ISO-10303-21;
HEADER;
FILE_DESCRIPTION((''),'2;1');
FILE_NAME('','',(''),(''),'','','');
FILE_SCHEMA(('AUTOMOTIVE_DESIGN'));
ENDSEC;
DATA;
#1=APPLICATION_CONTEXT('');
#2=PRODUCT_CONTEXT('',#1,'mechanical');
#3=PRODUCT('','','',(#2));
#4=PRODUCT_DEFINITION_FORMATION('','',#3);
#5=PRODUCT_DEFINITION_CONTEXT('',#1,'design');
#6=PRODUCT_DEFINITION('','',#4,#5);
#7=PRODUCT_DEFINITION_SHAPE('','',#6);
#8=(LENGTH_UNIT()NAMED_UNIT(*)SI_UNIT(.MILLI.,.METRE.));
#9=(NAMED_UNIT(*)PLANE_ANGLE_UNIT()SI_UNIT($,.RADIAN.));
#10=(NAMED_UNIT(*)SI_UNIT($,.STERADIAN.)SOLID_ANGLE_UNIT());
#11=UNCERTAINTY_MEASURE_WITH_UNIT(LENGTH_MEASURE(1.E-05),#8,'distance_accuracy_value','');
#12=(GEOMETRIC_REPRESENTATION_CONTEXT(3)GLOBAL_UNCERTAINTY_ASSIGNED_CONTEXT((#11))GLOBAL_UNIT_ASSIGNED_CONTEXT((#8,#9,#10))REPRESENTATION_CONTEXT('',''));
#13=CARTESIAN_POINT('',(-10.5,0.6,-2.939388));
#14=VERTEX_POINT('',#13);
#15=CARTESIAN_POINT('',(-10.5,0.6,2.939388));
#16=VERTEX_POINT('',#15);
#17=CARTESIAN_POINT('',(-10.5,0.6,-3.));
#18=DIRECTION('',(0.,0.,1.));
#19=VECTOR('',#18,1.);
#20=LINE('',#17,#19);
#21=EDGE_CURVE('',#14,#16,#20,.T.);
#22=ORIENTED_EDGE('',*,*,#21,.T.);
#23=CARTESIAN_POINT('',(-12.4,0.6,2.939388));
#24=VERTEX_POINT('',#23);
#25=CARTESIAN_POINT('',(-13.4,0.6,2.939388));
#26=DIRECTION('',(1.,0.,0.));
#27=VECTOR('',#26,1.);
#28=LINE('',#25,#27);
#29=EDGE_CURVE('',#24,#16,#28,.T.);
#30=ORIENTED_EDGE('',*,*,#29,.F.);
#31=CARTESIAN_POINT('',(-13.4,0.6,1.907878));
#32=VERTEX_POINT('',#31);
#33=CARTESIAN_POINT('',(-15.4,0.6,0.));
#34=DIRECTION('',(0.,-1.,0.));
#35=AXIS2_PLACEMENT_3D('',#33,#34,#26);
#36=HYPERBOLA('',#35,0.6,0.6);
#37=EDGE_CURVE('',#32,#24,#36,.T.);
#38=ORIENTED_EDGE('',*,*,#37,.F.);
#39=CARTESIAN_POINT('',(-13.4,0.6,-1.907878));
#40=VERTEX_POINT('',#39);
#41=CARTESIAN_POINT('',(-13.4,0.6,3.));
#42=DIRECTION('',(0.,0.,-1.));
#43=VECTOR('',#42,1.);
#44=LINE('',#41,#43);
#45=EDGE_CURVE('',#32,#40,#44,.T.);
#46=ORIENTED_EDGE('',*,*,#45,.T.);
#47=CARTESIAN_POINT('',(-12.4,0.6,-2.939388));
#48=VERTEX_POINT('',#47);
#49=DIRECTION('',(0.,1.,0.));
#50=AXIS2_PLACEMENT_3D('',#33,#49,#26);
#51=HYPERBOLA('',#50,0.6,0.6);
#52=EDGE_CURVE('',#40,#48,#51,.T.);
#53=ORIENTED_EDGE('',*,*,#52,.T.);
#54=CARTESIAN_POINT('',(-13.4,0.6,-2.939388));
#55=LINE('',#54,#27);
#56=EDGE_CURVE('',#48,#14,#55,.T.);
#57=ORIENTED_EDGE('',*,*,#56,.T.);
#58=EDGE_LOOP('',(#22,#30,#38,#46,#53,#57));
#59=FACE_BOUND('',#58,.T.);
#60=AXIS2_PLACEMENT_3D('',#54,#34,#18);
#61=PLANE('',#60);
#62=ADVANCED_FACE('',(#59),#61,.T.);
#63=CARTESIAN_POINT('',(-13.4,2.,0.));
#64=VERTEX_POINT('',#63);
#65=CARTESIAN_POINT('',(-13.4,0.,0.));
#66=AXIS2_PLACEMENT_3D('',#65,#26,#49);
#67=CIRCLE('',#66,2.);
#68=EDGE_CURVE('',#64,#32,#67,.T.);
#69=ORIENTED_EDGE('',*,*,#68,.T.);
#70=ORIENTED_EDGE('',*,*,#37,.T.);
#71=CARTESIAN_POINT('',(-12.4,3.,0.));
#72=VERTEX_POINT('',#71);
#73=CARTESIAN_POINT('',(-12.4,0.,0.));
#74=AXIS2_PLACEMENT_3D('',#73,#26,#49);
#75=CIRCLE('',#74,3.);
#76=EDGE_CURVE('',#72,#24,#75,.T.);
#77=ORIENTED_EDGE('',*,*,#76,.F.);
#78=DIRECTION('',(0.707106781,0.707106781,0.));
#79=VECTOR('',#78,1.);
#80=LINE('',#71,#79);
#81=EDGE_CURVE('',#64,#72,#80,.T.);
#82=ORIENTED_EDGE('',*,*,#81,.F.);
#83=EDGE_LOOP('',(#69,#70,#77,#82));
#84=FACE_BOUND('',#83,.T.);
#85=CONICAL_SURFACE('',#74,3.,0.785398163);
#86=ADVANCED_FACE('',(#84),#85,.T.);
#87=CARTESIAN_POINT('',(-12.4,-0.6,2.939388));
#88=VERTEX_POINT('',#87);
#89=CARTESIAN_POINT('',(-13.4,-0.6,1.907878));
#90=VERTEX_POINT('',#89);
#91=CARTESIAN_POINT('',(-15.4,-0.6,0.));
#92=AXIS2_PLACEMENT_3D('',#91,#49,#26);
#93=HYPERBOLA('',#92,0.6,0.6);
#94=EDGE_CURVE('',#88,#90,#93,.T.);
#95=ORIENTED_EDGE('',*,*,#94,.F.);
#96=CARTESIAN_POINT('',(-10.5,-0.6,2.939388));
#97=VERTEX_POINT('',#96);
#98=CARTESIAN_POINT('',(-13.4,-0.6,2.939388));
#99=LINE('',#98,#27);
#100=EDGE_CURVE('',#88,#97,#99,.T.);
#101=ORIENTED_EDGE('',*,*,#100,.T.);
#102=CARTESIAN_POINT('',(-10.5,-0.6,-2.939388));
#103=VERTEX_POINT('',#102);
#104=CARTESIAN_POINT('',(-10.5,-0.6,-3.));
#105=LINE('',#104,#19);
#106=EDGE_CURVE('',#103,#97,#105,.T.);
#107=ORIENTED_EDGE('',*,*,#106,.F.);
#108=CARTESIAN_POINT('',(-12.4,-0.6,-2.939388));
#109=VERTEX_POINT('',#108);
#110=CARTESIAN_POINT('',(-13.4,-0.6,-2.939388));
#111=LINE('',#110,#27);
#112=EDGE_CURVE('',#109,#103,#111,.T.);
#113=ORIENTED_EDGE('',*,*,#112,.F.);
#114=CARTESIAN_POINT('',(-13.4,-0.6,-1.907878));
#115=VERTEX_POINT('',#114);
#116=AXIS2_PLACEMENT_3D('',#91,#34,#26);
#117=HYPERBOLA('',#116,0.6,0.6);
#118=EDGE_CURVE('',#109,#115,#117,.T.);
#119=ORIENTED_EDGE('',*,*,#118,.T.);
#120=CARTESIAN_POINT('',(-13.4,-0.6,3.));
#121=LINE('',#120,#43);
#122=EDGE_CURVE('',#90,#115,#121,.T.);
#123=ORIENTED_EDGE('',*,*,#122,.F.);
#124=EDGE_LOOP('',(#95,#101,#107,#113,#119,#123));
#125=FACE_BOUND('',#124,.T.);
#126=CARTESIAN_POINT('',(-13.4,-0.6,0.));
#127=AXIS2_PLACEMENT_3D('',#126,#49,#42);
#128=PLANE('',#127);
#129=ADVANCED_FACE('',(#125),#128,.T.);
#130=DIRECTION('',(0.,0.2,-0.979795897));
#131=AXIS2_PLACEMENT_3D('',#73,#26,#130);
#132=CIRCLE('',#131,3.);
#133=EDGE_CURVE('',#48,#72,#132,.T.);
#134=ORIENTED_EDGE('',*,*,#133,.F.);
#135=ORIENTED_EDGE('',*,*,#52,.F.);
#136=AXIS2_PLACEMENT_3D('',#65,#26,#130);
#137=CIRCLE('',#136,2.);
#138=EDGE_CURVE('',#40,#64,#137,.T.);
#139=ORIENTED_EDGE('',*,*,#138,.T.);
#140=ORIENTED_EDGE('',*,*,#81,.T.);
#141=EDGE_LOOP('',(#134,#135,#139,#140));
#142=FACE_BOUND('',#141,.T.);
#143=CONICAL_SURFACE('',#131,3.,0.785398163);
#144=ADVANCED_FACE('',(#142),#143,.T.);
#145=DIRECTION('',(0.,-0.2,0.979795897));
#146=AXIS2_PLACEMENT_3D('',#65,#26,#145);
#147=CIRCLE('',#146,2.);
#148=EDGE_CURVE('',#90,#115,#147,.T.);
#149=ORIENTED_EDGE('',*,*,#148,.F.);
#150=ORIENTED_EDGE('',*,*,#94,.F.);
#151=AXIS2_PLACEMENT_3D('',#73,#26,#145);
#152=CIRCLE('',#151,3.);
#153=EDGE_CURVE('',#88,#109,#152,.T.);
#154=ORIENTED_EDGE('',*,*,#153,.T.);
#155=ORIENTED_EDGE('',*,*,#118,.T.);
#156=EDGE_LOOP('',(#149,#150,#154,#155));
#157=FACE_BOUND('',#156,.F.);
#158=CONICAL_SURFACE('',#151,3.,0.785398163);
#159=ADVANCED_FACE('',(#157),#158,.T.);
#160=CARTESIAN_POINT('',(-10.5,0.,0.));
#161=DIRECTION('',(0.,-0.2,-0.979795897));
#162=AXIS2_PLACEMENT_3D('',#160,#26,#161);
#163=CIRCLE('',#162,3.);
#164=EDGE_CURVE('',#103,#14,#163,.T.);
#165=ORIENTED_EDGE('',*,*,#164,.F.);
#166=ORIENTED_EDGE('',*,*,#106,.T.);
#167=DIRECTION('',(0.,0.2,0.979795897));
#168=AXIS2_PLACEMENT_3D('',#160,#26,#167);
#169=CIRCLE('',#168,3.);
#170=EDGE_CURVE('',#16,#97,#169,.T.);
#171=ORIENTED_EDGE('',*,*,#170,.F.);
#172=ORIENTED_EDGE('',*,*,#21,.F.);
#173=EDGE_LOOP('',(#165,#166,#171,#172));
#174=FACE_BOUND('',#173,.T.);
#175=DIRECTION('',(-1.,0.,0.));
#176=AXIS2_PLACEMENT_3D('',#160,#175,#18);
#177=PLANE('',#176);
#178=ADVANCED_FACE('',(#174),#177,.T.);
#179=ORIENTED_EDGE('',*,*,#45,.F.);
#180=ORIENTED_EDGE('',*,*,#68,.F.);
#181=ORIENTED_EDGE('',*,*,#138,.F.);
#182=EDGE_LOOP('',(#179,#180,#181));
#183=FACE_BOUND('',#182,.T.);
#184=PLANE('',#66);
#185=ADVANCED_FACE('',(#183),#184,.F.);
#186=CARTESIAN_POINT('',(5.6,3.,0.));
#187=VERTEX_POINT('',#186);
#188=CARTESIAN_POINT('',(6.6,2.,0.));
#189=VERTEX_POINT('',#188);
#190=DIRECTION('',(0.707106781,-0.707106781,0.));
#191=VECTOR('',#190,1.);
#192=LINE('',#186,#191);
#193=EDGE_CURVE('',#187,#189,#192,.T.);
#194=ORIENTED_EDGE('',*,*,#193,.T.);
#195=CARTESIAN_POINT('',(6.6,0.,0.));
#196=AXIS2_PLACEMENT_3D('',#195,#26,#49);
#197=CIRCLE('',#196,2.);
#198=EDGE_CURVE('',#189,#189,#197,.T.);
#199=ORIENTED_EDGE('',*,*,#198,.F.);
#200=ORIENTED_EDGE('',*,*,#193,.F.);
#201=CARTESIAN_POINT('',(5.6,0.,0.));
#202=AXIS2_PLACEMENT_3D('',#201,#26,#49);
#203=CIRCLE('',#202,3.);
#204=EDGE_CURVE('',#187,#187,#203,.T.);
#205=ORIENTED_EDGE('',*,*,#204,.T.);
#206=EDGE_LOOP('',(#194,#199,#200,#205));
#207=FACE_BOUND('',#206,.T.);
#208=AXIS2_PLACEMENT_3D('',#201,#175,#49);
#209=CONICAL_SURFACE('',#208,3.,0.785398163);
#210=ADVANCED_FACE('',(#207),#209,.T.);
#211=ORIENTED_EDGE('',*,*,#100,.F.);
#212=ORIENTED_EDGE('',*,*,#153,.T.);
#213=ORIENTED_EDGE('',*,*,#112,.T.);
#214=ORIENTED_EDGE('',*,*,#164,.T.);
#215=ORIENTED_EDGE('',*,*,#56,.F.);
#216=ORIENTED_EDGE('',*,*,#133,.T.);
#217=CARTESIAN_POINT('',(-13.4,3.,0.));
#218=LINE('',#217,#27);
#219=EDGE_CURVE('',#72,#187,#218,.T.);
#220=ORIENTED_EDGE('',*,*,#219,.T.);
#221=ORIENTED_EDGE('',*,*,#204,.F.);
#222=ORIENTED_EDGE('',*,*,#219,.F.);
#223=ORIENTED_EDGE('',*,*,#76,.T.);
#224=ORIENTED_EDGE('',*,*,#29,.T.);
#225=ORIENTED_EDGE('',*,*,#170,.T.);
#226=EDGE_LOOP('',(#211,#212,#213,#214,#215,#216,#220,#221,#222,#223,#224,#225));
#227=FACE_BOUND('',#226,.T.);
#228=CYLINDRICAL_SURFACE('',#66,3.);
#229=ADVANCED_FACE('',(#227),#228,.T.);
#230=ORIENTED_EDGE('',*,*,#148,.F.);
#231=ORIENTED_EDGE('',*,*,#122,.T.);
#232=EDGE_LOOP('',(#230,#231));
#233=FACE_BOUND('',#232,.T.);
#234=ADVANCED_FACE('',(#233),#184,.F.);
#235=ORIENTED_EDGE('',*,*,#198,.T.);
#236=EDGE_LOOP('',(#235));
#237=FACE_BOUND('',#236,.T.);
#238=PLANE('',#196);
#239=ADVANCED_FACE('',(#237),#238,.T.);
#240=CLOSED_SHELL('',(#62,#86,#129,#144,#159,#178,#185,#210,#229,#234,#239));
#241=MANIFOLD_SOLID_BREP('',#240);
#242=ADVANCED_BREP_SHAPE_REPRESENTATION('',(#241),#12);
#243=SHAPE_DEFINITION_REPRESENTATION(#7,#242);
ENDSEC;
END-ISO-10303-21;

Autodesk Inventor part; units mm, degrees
ref_plane "YZ Plane" through (0, 0, 0) normal (1, 0, 0) x (0, 1, 0)
ref_plane "XZ Plane" through (0, 0, 0) normal (0, 1, 0) x (-1, 0, 0)
sketch "Sketch1" plane through (0, 0, 0) normal (0, 0, 1) x (1, 0, 0)
  line L0 (0, 6.25) -> (0, -4.9479) construction
  line L1 (-13.4, 0) -> (-13.4, 3)
  line L2 (-13.4, 3) -> (6.6, 3)
  line L3 (6.6, 3) -> (6.6, 0)
  line L4 (-13.4, 0) -> (6.6, 0)
  line L5 (-17.4, 0) -> (10.6, 0) projected
  line L6 (0, 8.4896) -> (0, -7.1875) projected
  dimension "d0" = 6
  dimension "d1" = 6.6
  dimension "d2" = 20
revolve "Body" add sketch "Sketch1" angle 360 about axis through (-13.4, 0, 0) along (1, 0, 0)
sketch "Sketch2" plane through (-13.4, 0, 0) normal (-1, 0, 0) x (0, 0, 1)
  line L0 (0, -4.2) -> (0, 4.2) projected
  line L1 (-4.2, 0) -> (4.2, 0) projected
  line L2 (-3, 0.6) -> (3, 0.6)
  line L3 (3, 0.6) -> (3, -0.6)
  line L4 (3, -0.6) -> (-3, -0.6)
  line L5 (-3, -0.6) -> (-3, 0.6)
  line L6 (-3, 0) -> (3, 0) construction
  line L7 (0, 0.6) -> (0, -0.6) construction
  circle A0 centre (0, 0) radius 3 projected
  dimension "d10" = 1.2
extrude "Slot" cut sketch "Sketch2" against normal blind 2.9 contours L4 A0 L1 L0 | L0 L1 A0 L4 | L4 L5 A0 | A0 L3 L4 | L1 A0 L2 L0 | L0 L2 A0 L1 | L5 L2 A0 | A0 L2 L3
chamfer "Chamfer1" distance 1 angle 45 3 edges at (-13.4, 2.3238, 1.8974) (-13.4, 2.3238, -1.8974) (-13.4, -3, 0) measured on face at (-6.7333, -3, 0)
thread "Thread" size "M6x1" designation "M6" class "6g" standard "GB Metric profile" length 6.6
chamfer "Chamfer2" distance 1 angle 45 1 edges at (6.6, -3, 0) measured on face at (-6.0667, -3, 0)
ref_plane "Work Plane3" through (-3.4, 0, 0) normal (0, 0, -1) x (1, 0, 0)
equation "\"d10\" = SBR"
equation "\"d11\" = STI"
equation "\"d4\" = PHH"
equation "\"d5\" = FAWI"
equation "\"d27\" = PHH"
equation "\"d6\" = GEL"
equation "\"d8\" = PHH"
equation "\"d9\" = FAWI"
equation "\"d0\" = NND"
equation "\"d1\" = GEL"
equation "\"d2\" = NLG"
equation "\"NND\" = 6"
equation "\"NLG\" = 20"
equation "\"PHH\" = 1"
equation "\"STI\" = 2.9"
equation "\"SBR\" = 1.2"
equation "\"GEL\" = 6.6"
equation "\"GD1\" = THREADDIA - 1.2269 * PTC"
equation "\"FAWI\" = 45deg"
equation "\"d14\" = -GEL"
equation "\"GUL\" = 0.61345 * PTC"
equation "\"THREADDIA\" = 6"
equation "\"TOA\" = 30deg"
equation "\"PTC\" = 1"
equation "\"GAL\" = 0.61345 * PTC"
properties part number "Pin GB 878-86 6 x 20" material "Steel, Mild"
